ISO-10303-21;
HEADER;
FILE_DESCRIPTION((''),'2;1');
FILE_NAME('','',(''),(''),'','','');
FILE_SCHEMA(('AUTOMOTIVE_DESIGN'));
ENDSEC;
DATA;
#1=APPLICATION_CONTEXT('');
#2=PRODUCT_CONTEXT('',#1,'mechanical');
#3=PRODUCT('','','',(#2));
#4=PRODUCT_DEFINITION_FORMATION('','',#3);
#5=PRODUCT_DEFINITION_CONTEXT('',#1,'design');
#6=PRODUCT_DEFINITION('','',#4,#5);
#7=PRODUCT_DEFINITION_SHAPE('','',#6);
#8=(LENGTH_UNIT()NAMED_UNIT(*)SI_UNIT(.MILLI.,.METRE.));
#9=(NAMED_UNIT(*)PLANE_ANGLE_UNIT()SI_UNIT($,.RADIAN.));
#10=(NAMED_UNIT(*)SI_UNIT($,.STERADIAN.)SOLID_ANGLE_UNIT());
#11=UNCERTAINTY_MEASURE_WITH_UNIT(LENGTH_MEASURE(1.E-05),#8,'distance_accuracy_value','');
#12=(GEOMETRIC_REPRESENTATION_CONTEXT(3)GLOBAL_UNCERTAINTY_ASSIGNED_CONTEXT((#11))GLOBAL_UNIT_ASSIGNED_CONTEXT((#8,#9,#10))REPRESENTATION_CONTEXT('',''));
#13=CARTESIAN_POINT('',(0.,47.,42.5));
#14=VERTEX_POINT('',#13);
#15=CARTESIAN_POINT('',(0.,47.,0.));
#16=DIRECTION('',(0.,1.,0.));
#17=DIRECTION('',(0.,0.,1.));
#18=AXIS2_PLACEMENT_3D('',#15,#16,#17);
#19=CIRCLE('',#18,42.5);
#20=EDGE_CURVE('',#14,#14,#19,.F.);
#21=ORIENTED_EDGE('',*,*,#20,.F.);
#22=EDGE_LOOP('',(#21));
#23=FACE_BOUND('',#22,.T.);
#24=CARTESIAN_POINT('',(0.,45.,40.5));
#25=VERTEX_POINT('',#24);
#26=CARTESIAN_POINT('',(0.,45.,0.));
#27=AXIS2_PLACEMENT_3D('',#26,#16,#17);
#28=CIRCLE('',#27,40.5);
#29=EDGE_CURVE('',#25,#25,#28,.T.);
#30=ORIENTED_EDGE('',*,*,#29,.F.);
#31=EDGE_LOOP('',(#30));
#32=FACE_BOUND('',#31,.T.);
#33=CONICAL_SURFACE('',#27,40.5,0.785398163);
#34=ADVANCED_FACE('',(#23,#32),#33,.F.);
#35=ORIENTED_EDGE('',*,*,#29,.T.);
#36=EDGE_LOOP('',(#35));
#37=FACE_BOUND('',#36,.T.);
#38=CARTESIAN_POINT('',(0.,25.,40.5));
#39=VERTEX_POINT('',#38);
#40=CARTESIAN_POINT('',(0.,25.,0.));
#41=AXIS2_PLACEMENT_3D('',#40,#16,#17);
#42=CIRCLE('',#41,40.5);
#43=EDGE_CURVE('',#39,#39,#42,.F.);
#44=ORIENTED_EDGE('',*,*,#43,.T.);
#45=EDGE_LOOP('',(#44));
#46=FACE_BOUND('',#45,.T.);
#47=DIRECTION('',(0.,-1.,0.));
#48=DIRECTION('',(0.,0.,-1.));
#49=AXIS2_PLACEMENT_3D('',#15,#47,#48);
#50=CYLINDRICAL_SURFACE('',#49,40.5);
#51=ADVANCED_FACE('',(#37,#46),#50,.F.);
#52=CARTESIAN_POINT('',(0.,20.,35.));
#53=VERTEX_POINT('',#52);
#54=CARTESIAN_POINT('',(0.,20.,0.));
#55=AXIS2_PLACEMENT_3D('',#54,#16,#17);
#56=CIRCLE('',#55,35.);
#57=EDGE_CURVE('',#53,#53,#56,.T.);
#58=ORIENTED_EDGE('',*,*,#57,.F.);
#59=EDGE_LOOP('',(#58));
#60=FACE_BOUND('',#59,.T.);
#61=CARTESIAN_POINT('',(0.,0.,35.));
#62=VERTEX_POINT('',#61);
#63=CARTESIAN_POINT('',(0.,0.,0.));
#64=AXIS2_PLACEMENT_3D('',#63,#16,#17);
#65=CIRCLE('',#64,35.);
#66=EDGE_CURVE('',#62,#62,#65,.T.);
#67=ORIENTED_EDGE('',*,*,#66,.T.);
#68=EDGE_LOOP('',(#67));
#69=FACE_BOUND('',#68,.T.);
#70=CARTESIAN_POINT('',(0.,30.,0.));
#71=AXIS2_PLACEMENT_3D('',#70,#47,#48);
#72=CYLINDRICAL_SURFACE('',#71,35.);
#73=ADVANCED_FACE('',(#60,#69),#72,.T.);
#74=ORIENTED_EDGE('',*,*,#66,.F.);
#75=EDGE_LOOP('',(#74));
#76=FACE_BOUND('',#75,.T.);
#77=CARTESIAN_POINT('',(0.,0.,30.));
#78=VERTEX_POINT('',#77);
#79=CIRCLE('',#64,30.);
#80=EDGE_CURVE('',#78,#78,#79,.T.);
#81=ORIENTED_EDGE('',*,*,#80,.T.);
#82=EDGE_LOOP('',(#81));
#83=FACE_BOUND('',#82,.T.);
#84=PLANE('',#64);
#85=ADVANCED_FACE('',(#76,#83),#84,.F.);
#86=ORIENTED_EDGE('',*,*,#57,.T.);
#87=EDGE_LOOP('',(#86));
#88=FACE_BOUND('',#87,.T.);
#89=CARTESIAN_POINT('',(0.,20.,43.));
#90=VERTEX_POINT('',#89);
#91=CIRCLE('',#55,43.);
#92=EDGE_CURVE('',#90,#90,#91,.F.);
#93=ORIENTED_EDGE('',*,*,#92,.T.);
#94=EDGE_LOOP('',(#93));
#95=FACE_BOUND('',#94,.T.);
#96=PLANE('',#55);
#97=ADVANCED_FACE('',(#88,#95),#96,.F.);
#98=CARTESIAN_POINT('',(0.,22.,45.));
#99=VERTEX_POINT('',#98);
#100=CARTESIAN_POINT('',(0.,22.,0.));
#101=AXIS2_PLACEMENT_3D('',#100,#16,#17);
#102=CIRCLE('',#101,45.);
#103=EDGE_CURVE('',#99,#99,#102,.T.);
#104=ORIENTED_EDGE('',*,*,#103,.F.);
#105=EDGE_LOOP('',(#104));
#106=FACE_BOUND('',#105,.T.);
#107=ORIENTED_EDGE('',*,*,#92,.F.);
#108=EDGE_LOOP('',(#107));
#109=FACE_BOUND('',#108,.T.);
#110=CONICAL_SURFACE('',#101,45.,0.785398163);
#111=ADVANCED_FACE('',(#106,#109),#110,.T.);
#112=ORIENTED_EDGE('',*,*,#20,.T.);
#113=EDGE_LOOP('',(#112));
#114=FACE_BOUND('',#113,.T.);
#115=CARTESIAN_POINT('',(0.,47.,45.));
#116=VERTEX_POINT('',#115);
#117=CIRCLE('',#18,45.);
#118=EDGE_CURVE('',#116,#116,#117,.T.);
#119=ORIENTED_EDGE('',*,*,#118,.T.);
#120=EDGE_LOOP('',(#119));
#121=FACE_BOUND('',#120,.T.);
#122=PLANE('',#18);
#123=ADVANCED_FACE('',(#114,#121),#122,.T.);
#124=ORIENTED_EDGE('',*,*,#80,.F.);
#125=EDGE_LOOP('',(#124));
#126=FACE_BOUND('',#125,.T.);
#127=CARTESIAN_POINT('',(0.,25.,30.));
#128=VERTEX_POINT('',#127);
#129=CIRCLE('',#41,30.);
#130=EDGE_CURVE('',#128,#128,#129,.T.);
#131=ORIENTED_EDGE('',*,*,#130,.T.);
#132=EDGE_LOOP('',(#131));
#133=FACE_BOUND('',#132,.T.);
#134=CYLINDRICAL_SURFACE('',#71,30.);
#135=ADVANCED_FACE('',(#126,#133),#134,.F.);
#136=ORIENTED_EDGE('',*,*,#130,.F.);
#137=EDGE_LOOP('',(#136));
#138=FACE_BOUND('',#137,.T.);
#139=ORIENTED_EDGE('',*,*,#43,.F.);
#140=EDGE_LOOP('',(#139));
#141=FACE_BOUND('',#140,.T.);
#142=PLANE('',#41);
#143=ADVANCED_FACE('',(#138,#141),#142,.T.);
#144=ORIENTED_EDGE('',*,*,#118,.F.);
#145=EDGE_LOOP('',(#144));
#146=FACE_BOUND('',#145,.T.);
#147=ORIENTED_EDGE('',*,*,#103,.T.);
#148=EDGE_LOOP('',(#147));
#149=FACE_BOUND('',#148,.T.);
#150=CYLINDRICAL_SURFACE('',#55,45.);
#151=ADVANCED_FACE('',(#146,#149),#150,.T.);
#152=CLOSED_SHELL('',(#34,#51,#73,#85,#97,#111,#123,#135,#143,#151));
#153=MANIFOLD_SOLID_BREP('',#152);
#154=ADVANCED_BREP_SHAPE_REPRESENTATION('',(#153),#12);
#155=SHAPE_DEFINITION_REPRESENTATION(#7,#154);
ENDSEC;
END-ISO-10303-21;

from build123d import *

# Parameters (mm, degrees)
SCHIZZO1_R        = 35
SCHIZZO1_R_2      = 30
ESTRUSIONE1_DEPTH = 30
ESTRUSIONE2_START = -10
SCHIZZO2_R        = 45
SCHIZZO2_R_2      = 30
ESTRUSIONE2_DEPTH = 5
SCHIZZO3_R        = 45
SCHIZZO3_R_2      = 40.5
ESTRUSIONE3_DEPTH = 22
SMUSSO1_SIZE      = 2
SMUSSO2_SIZE      = 2
SCHIZZO4_R        = 40.5
ESTRUSIONE4_DEPTH = 20


with BuildPart() as part:
    # Schizzo1 → Estrusione1 (new body)
    with BuildSketch(Plane(origin=(0, 0, 0), x_dir=(1, 0, 0), z_dir=(0, 1, 0))):
        with Locations(Location((0, 0, 0), (0, 0, 270))):
            Circle(SCHIZZO1_R)
        with Locations(Location((0, 0, 0), (0, 0, 270))):
            Circle(SCHIZZO1_R_2, mode=Mode.SUBTRACT)
    extrude(amount=ESTRUSIONE1_DEPTH)

    # Schizzo2 → Estrusione2 (add)
    with BuildSketch(Plane(origin=(0, 30, 0), x_dir=(1, 0, 0), z_dir=(0, 1, 0)).offset(ESTRUSIONE2_START)):
        with Locations(Location((0, 0, 0), (0, 0, 270))):
            Circle(SCHIZZO2_R)
        with Locations(Location((0, 0, 0), (0, 0, 270))):
            Circle(SCHIZZO2_R_2, mode=Mode.SUBTRACT)
    extrude(amount=ESTRUSIONE2_DEPTH)

    # Schizzo3 → Estrusione3 (add)
    with BuildSketch(Plane(origin=(0, 25, 0), x_dir=(1, 0, 0), z_dir=(0, 1, 0))):
        with Locations(Location((0, 0, 0), (0, 0, 270))):
            Circle(SCHIZZO3_R)
        with Locations(Location((0, 0, 0), (0, 0, 270))):
            Circle(SCHIZZO3_R_2, mode=Mode.SUBTRACT)
    extrude(amount=ESTRUSIONE3_DEPTH)

    # Smusso1
    smusso1_edges = [part.edges().sort_by_distance(p)[0] for p in [
        (0, 20, -45),
    ]]
    chamfer(smusso1_edges, length=SMUSSO1_SIZE)

    # Smusso2
    smusso2_edges = [part.edges().sort_by_distance(p)[0] for p in [
        (0, 47, -40.5),
    ]]
    chamfer(smusso2_edges, length=SMUSSO2_SIZE)

    # Schizzo4 → Estrusione4 (cut)
    with BuildSketch(Plane(origin=(0, 25, 0), x_dir=(1, 0, 0), z_dir=(0, 1, 0))):
        with Locations(Location((0, 0, 0), (0, 0, 270))):
            Circle(SCHIZZO4_R)
    extrude(amount=ESTRUSIONE4_DEPTH, mode=Mode.SUBTRACT)


solid = part.part
